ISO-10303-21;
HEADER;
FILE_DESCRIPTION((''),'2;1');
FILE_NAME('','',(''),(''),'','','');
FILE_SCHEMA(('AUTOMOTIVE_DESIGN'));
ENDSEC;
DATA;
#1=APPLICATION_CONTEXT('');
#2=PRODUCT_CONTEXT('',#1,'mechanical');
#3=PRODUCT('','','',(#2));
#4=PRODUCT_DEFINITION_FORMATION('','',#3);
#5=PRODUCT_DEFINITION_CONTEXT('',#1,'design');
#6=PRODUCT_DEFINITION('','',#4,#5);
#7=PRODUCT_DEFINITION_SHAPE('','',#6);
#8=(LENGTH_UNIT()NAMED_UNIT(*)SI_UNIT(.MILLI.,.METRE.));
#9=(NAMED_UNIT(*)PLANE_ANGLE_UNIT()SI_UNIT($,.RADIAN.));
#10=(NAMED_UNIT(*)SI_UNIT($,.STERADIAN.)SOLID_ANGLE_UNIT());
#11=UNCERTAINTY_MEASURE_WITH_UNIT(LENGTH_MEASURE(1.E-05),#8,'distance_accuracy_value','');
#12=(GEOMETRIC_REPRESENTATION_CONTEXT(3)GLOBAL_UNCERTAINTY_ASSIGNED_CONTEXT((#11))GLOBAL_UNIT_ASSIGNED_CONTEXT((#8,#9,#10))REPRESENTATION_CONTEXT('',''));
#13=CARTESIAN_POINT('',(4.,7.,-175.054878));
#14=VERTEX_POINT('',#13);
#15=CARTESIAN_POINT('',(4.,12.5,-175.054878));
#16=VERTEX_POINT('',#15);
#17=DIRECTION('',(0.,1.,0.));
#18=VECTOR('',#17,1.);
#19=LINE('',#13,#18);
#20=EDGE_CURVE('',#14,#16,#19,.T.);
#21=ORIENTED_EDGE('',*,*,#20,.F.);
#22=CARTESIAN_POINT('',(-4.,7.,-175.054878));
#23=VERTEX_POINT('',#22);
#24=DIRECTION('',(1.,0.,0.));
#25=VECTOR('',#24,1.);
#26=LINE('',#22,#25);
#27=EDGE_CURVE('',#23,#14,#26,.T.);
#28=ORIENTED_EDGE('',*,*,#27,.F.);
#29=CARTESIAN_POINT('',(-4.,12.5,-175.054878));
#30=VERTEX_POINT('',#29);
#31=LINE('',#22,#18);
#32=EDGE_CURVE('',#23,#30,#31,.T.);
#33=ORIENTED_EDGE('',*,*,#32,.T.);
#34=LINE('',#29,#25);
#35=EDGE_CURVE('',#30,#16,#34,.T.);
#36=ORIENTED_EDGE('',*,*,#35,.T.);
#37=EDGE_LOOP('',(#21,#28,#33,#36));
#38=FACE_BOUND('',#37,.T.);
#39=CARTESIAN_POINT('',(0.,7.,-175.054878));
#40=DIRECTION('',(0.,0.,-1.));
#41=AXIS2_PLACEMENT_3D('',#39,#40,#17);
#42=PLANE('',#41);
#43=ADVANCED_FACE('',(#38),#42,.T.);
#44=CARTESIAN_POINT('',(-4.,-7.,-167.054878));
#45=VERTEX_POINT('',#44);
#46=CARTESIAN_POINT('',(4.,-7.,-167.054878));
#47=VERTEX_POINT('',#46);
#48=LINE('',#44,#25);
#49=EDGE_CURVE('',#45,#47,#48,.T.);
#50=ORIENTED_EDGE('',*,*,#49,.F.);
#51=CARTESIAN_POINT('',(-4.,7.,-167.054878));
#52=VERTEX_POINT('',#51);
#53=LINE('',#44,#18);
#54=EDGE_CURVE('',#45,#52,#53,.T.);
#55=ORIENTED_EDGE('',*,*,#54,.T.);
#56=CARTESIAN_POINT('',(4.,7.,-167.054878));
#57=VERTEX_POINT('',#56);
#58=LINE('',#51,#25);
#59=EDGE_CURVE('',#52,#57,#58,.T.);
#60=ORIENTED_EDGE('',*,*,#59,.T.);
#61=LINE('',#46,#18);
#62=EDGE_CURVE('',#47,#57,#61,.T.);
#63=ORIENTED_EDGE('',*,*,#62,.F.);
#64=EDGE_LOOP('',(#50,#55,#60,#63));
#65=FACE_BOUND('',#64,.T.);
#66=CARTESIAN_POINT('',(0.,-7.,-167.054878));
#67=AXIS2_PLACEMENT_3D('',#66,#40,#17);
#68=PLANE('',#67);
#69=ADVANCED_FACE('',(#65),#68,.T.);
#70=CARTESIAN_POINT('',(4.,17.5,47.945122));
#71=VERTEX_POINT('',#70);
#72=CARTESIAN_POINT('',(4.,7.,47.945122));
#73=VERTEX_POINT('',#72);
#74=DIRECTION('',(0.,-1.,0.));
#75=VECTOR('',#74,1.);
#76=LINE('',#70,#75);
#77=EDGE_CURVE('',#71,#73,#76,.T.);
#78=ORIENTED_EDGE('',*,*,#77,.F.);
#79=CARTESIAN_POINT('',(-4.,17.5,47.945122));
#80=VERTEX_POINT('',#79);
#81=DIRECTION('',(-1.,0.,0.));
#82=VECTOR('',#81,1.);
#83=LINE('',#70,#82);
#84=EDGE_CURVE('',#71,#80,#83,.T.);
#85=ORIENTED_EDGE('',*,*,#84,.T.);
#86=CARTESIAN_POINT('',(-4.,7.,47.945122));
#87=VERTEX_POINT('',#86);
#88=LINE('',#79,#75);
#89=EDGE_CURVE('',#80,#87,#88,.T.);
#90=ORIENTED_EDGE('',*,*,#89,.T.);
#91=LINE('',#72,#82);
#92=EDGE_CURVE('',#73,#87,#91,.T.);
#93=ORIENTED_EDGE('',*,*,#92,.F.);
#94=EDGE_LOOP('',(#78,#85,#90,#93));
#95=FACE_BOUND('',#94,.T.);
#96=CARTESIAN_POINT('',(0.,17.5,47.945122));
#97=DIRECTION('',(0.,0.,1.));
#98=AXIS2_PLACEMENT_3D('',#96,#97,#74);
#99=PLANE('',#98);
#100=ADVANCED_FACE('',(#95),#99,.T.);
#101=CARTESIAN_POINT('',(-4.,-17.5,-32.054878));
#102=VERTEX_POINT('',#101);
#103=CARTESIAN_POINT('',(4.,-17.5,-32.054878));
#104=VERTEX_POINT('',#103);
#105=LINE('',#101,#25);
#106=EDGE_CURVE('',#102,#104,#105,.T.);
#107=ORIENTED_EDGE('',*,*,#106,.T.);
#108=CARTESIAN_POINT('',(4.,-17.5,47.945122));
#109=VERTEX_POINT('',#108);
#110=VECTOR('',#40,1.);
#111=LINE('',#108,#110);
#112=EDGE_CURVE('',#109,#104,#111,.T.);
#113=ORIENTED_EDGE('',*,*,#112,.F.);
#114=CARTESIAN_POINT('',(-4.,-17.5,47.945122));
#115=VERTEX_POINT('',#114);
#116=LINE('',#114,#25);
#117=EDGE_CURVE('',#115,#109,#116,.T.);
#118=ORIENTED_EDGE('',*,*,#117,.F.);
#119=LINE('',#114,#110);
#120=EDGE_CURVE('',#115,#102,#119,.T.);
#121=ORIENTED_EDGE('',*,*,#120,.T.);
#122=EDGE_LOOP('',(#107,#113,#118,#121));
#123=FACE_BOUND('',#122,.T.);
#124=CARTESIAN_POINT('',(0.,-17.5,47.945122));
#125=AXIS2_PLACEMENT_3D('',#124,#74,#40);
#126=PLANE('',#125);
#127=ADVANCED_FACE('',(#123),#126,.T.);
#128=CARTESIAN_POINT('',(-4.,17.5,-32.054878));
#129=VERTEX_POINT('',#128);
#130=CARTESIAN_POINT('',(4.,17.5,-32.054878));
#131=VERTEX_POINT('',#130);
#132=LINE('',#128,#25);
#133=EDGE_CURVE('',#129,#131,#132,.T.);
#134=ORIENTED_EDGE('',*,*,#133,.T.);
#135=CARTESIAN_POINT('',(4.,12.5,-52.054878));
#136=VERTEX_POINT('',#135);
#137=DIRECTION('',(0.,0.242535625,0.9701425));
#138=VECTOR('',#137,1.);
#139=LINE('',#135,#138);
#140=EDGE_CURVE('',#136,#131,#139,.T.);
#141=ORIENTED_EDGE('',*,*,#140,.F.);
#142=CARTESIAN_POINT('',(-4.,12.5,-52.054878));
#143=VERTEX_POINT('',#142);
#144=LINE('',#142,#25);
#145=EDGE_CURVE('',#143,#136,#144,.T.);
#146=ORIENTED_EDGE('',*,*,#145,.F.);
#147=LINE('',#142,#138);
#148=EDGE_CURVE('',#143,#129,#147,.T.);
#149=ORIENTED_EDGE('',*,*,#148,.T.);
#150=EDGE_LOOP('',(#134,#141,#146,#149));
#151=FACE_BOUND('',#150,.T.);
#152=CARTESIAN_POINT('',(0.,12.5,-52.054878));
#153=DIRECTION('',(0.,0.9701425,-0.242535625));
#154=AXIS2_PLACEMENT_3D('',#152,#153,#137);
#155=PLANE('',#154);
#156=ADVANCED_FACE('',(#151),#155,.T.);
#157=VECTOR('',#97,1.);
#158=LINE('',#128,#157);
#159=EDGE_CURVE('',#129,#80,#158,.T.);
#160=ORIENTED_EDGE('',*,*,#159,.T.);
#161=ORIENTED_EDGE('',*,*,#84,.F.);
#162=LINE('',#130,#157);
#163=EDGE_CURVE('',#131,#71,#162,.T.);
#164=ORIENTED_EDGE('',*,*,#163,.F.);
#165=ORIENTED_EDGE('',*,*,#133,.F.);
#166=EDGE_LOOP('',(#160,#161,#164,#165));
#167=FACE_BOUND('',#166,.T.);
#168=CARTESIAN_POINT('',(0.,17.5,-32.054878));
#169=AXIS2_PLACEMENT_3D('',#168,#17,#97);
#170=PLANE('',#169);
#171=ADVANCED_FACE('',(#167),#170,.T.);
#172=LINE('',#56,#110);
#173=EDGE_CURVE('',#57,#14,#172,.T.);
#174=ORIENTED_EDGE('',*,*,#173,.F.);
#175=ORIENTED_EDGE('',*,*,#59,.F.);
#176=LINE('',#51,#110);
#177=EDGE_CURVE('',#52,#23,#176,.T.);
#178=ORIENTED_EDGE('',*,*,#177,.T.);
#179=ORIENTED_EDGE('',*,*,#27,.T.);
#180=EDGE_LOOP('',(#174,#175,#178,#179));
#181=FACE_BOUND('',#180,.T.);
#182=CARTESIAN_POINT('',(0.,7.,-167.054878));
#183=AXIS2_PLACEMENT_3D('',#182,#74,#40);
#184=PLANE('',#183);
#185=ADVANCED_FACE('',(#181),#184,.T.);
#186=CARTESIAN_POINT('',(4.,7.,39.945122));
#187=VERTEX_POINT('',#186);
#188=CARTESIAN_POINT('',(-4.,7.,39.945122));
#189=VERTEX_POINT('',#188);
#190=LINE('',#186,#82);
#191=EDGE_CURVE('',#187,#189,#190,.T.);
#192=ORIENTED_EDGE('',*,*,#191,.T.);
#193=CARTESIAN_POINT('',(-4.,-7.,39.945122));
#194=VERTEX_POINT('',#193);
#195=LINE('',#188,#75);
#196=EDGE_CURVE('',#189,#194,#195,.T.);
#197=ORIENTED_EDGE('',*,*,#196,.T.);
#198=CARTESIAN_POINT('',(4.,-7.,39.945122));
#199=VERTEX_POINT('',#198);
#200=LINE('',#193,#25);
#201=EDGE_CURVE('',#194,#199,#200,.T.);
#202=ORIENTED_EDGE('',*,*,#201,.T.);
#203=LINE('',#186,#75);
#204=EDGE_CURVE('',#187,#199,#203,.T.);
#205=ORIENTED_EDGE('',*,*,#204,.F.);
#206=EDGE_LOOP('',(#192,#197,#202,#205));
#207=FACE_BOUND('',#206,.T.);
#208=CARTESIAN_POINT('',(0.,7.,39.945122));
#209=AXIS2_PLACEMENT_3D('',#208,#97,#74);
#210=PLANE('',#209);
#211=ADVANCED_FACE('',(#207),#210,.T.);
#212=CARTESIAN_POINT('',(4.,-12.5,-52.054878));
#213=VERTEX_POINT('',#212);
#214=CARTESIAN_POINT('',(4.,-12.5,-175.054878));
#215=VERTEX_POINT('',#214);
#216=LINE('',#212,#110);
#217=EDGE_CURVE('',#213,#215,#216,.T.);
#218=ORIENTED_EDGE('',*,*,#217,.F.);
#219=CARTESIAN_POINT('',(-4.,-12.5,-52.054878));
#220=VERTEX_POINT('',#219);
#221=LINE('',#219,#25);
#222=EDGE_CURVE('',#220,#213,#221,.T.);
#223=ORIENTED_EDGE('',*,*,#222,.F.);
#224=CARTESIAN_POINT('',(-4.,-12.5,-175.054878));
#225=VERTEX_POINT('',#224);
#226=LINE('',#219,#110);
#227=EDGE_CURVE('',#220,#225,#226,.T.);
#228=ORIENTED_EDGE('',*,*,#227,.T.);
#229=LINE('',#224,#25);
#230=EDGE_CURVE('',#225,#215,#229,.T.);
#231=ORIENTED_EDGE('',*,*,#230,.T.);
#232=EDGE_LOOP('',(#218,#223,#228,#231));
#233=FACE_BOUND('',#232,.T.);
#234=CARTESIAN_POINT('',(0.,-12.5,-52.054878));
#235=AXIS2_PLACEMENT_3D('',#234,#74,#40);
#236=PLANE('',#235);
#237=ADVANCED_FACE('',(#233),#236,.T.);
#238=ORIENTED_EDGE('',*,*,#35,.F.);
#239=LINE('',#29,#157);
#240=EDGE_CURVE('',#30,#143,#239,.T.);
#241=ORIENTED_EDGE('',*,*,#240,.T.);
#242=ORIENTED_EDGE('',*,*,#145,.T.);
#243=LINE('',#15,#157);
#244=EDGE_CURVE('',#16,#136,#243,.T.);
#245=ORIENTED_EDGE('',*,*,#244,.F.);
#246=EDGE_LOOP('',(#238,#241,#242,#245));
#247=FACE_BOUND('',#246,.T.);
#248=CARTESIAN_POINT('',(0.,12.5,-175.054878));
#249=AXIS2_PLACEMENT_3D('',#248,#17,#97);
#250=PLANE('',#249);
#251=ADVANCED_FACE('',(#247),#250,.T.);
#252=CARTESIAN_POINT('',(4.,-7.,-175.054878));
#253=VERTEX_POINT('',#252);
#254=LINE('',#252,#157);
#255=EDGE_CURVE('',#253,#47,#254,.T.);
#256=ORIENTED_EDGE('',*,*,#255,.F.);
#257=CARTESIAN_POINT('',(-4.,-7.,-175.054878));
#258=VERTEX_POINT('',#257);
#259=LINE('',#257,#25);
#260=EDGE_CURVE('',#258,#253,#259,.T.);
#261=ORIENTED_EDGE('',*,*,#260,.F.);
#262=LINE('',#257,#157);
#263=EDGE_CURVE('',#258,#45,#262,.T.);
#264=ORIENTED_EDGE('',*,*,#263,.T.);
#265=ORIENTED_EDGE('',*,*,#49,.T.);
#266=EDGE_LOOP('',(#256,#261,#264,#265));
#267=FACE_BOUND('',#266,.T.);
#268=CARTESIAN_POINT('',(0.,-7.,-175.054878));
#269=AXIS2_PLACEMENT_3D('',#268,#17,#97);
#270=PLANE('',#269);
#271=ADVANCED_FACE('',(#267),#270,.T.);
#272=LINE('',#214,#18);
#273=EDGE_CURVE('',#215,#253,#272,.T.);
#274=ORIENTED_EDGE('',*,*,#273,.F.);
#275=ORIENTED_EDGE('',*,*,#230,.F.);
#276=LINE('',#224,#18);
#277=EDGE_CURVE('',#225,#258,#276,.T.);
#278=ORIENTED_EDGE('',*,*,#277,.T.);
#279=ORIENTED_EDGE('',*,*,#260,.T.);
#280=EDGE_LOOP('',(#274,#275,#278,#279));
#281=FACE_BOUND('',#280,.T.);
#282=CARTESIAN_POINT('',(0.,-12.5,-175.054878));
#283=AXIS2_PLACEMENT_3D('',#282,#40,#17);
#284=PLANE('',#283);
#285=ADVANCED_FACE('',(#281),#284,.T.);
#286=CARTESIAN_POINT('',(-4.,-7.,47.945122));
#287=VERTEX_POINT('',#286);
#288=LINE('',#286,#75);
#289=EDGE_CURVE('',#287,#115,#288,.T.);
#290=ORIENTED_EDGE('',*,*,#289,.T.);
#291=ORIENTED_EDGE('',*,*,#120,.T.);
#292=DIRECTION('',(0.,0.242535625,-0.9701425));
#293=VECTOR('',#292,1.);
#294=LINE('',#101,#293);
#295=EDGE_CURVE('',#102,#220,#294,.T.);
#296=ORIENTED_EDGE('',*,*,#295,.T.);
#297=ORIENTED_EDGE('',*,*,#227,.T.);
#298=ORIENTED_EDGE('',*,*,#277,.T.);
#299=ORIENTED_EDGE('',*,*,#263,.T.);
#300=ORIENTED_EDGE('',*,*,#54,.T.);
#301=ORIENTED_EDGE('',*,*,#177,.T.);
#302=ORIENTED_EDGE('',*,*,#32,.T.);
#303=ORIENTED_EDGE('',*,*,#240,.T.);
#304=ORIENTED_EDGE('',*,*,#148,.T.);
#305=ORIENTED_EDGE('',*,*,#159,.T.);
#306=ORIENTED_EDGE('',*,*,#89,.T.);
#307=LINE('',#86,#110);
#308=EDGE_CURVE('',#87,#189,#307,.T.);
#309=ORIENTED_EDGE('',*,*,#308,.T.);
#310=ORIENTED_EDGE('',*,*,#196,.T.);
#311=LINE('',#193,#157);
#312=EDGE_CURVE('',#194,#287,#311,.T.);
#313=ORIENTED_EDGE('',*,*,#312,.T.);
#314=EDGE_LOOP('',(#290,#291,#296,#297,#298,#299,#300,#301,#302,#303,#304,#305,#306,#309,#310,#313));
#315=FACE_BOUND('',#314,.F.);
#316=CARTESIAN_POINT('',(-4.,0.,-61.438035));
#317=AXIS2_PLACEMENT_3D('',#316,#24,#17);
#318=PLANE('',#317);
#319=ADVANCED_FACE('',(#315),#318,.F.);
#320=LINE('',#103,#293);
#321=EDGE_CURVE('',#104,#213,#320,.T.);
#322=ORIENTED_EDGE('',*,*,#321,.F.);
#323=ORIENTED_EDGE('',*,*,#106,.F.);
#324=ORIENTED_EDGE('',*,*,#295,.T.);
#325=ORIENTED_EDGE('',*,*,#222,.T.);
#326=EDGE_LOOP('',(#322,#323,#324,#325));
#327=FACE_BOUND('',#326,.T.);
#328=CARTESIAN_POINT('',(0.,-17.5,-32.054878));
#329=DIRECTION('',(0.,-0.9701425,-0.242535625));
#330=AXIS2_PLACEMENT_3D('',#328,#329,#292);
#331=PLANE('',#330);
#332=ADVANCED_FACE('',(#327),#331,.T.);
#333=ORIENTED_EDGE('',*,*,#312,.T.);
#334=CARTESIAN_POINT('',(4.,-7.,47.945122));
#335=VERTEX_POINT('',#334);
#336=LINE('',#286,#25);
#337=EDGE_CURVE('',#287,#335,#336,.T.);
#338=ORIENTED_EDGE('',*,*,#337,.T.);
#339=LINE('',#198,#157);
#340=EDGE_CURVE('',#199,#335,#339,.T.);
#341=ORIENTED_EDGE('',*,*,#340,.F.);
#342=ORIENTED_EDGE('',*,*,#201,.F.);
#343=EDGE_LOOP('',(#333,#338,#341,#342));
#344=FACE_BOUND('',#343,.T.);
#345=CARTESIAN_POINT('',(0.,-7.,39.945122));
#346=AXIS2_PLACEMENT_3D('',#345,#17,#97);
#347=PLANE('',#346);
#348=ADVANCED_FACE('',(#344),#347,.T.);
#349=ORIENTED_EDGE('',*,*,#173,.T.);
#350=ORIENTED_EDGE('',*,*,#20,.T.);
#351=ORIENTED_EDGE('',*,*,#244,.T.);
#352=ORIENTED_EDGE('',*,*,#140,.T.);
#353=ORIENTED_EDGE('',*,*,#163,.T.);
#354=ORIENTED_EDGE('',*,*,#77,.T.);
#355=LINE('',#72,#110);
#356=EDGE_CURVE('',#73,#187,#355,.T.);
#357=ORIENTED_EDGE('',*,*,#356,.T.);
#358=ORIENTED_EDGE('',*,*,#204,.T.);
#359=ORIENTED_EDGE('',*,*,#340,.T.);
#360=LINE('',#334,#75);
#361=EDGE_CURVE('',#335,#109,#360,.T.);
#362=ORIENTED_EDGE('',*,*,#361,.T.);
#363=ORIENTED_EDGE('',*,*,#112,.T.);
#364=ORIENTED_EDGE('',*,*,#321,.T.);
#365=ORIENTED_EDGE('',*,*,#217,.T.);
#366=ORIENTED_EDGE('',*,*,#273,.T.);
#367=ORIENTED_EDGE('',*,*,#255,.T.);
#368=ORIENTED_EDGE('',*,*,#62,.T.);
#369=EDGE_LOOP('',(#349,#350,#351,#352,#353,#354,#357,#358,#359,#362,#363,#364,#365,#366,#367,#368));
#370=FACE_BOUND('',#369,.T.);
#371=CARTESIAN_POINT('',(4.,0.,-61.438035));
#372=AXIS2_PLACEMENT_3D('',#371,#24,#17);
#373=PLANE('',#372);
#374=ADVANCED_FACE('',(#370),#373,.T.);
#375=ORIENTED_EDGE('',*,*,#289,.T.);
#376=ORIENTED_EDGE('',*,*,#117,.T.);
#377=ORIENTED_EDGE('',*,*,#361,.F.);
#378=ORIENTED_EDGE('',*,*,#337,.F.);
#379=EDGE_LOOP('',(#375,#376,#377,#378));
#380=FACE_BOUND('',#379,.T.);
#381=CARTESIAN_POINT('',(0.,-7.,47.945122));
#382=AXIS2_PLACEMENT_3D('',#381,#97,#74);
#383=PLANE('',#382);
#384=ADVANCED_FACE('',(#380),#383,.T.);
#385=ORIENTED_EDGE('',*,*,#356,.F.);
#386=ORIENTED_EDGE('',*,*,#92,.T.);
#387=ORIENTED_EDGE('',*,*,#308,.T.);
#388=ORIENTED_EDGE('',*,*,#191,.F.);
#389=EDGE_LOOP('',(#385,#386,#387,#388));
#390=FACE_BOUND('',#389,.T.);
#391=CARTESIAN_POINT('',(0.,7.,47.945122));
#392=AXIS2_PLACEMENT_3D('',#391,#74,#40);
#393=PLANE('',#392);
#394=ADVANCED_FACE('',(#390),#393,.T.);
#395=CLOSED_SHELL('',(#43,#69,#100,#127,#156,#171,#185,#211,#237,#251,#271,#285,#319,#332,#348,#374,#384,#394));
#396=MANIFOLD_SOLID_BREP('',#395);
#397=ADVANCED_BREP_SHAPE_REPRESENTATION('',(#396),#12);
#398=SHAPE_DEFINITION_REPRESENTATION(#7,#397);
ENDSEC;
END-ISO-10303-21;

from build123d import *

# Parameters (mm, degrees)
F1_DEPTH = 4


with BuildPart() as f1:
    # F0 (on Right) → F1 (new body, symmetric)
    with BuildSketch(Plane.YZ):
        Polygon((7, 39.945122), (-7, 39.945122), (-7, 47.945122), (-17.5, 47.945122), (-17.5, -32.054878), (-12.5, -52.054878), (-12.5, -175.054878), (-7, -175.054878), (-7, -167.054878), (7, -167.054878), (7, -175.054878), (12.5, -175.054878), (12.5, -52.054878), (17.5, -32.054878), (17.5, 47.945122), (7, 47.945122), align=None)
    extrude(amount=F1_DEPTH, both=True)


solid = f1.part
